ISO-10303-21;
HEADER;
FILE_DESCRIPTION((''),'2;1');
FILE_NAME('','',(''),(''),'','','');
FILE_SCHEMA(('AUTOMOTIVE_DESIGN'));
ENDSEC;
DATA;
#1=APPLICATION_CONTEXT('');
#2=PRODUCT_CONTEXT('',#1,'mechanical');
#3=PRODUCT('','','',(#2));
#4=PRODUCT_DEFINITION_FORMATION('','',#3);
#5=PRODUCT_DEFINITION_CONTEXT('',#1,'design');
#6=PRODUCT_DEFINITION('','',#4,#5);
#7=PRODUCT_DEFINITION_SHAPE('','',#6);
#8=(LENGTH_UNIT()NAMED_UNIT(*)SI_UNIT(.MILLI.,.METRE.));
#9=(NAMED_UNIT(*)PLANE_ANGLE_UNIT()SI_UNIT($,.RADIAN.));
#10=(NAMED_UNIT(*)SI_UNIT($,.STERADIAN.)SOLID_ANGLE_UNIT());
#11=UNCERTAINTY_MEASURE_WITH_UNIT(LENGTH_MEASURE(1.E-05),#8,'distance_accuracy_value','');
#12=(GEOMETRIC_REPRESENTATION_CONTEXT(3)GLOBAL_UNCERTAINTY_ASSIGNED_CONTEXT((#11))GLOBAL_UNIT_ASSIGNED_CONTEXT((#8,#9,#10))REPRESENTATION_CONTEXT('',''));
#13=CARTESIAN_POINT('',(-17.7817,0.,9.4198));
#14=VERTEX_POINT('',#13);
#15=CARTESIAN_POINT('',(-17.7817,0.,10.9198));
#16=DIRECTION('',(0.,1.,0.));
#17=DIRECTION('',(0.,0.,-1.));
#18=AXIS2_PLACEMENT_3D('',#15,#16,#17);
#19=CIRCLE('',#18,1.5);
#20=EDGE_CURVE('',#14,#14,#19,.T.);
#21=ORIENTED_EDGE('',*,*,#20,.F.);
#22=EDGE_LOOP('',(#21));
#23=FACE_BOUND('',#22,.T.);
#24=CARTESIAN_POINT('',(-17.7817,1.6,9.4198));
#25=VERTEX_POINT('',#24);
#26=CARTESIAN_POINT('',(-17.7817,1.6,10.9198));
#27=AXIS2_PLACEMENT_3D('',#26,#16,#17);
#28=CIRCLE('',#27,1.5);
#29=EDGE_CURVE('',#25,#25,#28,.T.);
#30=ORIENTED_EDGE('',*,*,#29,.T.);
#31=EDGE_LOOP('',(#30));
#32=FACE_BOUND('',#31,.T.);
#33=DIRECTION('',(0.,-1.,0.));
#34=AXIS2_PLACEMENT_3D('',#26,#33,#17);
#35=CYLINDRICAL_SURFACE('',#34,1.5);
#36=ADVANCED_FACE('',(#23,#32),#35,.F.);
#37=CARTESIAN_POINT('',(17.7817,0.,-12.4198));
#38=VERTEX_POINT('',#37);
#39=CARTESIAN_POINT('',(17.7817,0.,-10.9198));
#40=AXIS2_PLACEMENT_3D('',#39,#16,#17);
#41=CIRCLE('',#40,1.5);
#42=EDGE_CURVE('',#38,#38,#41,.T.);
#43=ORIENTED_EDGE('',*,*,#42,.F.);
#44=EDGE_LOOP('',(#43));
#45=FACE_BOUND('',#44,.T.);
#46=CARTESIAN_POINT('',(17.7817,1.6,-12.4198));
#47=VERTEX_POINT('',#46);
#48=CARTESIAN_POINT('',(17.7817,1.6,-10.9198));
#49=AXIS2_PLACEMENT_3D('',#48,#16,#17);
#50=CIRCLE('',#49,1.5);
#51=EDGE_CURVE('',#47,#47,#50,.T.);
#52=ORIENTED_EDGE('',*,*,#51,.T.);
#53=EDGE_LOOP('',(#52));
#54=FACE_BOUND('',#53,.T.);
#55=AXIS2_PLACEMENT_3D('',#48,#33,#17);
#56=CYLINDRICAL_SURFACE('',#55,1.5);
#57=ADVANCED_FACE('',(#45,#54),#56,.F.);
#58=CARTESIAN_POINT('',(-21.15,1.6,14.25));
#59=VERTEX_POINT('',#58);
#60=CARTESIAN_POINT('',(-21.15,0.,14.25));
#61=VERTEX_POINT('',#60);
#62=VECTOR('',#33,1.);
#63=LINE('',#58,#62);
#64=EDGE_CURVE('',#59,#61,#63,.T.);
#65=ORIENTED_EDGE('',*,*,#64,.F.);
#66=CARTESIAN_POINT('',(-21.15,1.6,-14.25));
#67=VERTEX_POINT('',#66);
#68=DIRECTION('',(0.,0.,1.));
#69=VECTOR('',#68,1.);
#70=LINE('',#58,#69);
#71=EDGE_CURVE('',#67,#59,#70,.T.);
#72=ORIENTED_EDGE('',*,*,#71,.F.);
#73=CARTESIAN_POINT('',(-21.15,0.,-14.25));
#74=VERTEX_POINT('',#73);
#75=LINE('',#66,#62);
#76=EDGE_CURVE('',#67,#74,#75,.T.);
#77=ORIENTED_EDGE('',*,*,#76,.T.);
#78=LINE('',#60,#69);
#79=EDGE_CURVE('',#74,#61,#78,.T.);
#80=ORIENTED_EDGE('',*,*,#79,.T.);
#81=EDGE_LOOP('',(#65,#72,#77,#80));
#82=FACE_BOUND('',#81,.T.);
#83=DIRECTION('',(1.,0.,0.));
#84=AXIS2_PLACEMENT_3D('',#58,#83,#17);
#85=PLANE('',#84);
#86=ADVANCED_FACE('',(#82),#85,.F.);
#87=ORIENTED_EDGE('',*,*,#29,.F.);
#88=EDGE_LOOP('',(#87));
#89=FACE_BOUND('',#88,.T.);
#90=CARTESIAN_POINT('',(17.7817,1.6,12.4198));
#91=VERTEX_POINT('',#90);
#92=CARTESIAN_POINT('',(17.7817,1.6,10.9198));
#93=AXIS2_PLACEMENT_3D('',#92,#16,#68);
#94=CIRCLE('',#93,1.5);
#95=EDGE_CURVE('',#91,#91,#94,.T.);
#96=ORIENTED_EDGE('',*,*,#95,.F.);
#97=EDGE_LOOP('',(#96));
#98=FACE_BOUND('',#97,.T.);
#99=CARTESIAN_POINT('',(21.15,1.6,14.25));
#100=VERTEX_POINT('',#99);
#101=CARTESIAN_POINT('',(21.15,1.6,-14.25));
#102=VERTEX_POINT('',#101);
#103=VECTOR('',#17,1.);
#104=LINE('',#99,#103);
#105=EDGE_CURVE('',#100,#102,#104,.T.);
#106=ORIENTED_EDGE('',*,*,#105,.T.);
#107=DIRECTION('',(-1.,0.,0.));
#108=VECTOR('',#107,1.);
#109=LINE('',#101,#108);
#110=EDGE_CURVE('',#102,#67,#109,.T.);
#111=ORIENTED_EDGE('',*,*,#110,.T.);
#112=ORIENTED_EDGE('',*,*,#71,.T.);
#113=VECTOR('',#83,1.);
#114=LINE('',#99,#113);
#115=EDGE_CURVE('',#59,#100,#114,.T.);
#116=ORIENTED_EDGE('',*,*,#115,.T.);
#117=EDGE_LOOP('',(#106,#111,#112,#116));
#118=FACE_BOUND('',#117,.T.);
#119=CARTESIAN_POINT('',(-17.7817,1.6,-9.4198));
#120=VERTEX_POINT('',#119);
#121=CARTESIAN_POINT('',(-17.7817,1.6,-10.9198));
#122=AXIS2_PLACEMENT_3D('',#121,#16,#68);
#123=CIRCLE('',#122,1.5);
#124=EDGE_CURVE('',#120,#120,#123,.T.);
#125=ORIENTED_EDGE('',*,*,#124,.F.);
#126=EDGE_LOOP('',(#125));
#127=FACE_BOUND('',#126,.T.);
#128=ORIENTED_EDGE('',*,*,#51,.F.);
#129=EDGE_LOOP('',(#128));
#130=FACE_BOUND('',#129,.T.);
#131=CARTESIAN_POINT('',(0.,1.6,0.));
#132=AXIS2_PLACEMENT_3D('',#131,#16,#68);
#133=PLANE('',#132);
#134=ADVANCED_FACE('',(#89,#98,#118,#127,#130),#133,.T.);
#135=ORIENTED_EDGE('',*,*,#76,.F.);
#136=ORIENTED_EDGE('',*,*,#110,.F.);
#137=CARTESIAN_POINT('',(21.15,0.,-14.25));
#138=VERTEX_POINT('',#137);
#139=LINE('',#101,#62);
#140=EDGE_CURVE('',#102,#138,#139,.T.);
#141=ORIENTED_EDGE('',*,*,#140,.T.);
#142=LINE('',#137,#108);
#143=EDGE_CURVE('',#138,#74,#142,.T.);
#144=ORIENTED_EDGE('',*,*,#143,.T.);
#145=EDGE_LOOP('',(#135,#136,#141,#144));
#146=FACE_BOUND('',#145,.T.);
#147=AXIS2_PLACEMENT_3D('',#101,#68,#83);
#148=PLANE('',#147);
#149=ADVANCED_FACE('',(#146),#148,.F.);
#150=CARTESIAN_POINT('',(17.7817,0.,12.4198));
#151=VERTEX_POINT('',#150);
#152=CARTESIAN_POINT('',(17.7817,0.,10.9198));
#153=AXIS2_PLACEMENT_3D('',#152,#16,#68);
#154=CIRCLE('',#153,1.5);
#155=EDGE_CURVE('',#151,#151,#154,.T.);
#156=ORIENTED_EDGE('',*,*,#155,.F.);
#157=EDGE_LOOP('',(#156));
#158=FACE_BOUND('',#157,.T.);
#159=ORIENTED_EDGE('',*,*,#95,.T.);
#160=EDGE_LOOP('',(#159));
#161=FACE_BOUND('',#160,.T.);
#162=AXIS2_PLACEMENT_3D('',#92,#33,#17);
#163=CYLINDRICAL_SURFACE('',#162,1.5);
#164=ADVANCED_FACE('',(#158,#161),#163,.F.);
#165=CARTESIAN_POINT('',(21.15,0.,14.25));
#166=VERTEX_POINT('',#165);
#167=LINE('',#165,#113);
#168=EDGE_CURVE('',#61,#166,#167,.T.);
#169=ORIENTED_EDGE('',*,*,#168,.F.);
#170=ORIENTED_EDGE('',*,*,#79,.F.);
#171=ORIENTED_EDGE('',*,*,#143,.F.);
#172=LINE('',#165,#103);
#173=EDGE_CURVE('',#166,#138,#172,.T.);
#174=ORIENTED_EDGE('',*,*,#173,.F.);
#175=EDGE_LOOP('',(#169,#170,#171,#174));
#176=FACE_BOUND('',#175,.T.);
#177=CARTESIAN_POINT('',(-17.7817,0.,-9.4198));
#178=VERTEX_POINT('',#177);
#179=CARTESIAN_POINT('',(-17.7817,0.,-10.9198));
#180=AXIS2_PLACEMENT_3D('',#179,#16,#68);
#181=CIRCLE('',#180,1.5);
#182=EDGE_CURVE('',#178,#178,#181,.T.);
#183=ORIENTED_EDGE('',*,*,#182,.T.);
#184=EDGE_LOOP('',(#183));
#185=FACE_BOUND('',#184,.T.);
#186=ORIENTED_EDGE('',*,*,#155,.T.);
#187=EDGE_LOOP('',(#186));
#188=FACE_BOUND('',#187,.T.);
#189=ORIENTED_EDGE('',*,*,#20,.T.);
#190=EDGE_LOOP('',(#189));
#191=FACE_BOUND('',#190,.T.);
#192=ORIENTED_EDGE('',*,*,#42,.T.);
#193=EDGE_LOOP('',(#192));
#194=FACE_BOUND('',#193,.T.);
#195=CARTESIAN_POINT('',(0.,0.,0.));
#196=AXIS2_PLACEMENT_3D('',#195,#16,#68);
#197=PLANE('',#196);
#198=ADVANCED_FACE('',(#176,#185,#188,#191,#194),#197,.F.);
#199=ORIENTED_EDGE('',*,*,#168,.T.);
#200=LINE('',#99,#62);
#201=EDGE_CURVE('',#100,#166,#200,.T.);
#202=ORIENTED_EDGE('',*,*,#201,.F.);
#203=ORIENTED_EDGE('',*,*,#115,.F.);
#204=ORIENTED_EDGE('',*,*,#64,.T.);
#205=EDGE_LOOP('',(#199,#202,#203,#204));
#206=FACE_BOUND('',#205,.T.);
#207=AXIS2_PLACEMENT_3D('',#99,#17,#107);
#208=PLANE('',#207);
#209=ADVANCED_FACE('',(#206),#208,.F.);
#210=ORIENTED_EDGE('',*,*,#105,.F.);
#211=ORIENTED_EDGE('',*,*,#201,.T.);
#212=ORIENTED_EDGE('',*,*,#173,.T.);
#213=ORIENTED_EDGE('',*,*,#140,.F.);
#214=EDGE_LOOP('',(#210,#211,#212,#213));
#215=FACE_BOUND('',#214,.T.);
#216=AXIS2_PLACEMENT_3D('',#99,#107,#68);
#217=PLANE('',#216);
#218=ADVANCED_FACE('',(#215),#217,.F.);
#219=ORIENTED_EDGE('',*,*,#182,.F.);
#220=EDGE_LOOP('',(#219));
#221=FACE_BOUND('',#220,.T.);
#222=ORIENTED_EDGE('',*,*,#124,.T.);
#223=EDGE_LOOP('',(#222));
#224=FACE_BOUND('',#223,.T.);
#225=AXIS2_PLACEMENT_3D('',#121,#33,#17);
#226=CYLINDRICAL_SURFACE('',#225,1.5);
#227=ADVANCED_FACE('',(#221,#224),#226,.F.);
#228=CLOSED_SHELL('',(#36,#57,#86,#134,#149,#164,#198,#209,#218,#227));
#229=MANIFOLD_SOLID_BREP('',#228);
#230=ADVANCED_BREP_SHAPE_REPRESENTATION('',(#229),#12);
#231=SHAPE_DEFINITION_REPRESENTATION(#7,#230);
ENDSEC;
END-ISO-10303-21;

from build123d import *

# Parameters (mm, degrees)
SKETCH1_W           = 42.3
SKETCH1_H           = 28.5
SKETCH1_R           = 1.5
BOSS_EXTRUDE1_DEPTH = 1.6


with BuildPart() as part:
    # Sketch1 → Boss-Extrude1 (new body)
    with BuildSketch(Plane(origin=(0, 0, 0), x_dir=(1, 0, 0), z_dir=(0, 1, 0))):
        Rectangle(SKETCH1_W, SKETCH1_H)
        with Locations((-17.7817, 10.9198)):
            Circle(SKETCH1_R, mode=Mode.SUBTRACT)
        with Locations((17.7817, 10.9198)):
            Circle(SKETCH1_R, mode=Mode.SUBTRACT)
        with Locations((17.7817, -10.9198)):
            Circle(SKETCH1_R, mode=Mode.SUBTRACT)
        with Locations((-17.7817, -10.9198)):
            Circle(SKETCH1_R, mode=Mode.SUBTRACT)
    extrude(amount=BOSS_EXTRUDE1_DEPTH)


solid = part.part
